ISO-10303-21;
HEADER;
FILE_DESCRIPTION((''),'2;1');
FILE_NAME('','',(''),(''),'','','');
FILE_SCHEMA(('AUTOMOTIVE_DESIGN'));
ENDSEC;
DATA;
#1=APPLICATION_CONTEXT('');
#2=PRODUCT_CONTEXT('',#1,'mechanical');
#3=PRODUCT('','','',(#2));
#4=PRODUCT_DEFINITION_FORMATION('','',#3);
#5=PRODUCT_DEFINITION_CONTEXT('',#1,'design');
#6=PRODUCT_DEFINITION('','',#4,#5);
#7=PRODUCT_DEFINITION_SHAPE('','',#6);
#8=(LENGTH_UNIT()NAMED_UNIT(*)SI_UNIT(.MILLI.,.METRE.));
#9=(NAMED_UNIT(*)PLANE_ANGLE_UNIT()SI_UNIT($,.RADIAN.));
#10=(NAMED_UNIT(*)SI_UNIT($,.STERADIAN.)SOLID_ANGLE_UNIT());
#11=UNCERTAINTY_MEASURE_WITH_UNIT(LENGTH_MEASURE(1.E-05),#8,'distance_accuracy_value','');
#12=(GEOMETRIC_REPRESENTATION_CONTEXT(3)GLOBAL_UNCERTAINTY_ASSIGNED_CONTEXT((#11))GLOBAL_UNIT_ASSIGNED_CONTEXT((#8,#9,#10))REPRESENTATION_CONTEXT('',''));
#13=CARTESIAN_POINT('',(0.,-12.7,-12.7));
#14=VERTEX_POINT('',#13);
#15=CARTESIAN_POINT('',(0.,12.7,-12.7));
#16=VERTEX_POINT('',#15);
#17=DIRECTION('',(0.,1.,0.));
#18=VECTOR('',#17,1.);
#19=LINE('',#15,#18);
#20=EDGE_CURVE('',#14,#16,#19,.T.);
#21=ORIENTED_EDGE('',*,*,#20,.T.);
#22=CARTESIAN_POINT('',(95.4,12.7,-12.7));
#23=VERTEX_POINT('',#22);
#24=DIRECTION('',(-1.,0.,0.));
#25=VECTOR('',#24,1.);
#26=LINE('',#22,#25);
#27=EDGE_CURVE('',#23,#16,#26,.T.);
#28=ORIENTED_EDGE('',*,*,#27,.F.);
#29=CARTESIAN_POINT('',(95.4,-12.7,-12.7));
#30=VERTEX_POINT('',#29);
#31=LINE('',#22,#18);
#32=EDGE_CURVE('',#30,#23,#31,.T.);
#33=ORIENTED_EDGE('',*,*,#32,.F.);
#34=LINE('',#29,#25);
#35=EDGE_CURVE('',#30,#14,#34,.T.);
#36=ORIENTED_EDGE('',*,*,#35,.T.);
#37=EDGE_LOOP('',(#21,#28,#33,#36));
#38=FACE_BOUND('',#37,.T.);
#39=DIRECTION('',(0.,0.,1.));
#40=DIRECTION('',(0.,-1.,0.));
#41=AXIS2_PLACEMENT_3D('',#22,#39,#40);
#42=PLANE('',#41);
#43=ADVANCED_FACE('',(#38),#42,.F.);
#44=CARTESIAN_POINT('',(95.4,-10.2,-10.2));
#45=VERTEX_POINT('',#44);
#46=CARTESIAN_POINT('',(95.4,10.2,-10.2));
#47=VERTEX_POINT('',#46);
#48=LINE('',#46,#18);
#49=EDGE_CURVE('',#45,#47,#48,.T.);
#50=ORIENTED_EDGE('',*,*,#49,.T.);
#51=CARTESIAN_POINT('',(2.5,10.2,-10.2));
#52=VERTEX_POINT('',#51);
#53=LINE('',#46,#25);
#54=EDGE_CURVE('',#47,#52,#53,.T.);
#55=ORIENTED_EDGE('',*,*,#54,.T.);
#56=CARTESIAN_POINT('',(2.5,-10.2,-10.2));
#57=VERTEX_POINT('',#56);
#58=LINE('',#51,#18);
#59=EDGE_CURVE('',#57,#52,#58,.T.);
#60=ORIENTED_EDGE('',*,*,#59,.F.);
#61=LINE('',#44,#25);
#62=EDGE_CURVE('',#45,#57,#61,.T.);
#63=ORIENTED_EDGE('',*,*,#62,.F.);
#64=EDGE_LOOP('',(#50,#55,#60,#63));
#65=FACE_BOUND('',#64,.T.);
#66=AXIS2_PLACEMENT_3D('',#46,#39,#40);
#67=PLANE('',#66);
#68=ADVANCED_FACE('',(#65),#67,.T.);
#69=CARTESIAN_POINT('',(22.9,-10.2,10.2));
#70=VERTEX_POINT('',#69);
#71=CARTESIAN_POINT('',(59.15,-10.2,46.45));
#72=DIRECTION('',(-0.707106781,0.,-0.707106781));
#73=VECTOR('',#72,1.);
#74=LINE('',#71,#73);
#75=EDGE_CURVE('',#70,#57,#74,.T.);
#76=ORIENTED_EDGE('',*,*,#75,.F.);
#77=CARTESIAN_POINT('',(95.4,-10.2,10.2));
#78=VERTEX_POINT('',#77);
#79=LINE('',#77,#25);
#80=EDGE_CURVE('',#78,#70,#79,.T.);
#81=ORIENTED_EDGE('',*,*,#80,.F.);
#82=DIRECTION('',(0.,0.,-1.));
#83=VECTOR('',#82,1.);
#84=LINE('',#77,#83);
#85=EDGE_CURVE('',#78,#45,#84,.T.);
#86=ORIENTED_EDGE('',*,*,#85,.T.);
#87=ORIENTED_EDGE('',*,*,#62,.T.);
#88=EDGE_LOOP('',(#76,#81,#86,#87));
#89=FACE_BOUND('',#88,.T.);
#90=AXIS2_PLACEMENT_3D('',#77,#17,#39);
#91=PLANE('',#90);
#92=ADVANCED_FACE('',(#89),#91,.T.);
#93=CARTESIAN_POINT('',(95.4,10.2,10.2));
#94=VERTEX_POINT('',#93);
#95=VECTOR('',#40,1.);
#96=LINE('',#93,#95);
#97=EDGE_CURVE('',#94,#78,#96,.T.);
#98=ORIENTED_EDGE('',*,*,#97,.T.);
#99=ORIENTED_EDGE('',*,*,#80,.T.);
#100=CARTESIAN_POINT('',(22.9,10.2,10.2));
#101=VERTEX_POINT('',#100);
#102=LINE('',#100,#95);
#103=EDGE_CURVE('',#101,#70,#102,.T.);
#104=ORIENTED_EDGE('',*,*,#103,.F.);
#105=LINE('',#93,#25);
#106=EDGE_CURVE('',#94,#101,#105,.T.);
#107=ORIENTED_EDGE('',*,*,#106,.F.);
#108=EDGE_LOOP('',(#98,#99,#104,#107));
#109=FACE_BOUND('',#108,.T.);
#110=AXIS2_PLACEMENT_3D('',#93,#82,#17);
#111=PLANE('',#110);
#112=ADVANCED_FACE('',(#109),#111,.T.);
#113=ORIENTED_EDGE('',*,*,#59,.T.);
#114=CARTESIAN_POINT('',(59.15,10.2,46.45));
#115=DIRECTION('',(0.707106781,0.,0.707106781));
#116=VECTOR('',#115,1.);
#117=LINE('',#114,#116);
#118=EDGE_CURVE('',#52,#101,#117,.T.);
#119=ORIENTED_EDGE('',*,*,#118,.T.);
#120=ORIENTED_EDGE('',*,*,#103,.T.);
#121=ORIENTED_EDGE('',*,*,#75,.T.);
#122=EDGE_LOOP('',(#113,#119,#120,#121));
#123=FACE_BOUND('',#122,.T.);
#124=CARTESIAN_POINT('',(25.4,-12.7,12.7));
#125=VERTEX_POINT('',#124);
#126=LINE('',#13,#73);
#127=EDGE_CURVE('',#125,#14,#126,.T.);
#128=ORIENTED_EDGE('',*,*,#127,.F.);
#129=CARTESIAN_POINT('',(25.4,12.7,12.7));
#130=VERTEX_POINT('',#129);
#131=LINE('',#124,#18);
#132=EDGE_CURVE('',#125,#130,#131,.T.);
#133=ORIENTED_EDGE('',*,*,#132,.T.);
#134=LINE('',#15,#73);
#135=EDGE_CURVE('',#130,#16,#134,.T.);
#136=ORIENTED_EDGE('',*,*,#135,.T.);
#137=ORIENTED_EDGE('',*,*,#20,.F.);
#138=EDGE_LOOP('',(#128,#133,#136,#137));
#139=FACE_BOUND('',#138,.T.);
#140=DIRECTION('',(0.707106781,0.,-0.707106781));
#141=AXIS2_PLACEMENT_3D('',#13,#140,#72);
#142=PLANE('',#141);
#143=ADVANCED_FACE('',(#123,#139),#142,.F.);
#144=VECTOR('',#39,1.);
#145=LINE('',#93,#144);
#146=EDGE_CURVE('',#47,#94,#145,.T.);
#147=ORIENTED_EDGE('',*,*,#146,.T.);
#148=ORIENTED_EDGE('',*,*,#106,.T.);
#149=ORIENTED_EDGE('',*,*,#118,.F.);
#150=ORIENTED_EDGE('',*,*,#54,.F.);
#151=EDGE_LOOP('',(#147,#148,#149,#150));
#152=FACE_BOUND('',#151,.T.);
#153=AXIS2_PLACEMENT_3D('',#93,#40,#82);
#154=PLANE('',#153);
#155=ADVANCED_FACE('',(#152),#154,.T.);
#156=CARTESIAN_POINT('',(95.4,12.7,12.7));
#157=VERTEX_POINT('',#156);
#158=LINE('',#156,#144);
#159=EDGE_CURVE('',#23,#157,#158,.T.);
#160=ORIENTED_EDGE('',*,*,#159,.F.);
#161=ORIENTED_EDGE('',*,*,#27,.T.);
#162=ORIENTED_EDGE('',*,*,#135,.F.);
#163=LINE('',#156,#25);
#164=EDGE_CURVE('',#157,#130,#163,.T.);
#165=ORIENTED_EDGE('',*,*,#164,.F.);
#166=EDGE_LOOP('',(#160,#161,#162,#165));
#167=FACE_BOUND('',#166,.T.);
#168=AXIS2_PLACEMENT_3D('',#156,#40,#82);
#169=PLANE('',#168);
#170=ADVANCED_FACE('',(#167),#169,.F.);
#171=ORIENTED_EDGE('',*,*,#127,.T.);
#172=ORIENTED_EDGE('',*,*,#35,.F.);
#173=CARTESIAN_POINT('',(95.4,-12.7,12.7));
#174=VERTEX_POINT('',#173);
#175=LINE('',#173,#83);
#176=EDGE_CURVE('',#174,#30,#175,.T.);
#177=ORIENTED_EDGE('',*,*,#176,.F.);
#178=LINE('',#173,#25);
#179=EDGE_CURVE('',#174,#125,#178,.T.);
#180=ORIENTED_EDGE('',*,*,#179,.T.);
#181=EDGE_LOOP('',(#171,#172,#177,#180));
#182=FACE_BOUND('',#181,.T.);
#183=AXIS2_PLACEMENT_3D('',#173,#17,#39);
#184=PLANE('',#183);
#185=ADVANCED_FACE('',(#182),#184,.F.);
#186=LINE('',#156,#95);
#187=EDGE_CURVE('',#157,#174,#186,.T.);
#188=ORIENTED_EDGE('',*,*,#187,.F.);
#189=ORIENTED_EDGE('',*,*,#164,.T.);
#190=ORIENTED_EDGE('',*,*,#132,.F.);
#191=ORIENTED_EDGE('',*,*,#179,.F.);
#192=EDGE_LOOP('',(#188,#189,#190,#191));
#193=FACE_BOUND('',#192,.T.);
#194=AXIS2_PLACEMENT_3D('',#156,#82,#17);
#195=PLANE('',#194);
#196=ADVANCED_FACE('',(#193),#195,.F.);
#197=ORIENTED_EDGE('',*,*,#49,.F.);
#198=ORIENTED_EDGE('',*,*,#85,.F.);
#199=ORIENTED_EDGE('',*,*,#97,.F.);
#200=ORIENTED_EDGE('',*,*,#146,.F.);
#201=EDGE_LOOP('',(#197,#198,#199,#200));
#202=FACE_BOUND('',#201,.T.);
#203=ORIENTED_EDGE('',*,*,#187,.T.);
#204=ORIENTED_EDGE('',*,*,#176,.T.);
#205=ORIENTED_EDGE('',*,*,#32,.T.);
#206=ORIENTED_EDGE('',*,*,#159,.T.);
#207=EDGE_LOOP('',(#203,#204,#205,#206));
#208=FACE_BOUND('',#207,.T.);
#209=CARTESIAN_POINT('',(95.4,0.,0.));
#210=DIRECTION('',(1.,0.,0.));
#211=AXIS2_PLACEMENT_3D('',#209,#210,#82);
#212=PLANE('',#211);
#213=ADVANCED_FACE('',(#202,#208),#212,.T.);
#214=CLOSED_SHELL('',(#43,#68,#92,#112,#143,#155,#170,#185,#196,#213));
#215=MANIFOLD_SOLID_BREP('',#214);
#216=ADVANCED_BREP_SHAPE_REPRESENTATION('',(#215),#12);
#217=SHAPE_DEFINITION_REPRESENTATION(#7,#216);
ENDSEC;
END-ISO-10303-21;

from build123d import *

# Parameters (mm, degrees)
SKETCH2_W           = 25.4
SKETCH2_H           = 25.4
SKETCH2_W_2         = 20.4
SKETCH2_H_2         = 20.4
BOSS_EXTRUDE1_DEPTH = 95.4
CUT_EXTRUDE1_DEPTH  = 100.536978053


with BuildPart() as part:
    # Sketch2 → Boss-Extrude1 (new body)
    with BuildSketch(Plane(origin=(0, 0, 0), x_dir=(0, 0, -1), z_dir=(1, 0, 0))):
        Rectangle(SKETCH2_W, SKETCH2_H)
        Rectangle(SKETCH2_W_2, SKETCH2_H_2, mode=Mode.SUBTRACT)
    extrude(amount=BOSS_EXTRUDE1_DEPTH)

    # Sketch3 → Cut-Extrude1 (cut, through all)
    with BuildSketch(Plane(origin=(0, 12.7, 0), x_dir=(1, 0, 0), z_dir=(0, 1, 0))):
        Polygon((0, -12.7), (0, 12.7), (25.4, -12.7), align=None)
    extrude(amount=-CUT_EXTRUDE1_DEPTH, mode=Mode.SUBTRACT)


solid = part.part
